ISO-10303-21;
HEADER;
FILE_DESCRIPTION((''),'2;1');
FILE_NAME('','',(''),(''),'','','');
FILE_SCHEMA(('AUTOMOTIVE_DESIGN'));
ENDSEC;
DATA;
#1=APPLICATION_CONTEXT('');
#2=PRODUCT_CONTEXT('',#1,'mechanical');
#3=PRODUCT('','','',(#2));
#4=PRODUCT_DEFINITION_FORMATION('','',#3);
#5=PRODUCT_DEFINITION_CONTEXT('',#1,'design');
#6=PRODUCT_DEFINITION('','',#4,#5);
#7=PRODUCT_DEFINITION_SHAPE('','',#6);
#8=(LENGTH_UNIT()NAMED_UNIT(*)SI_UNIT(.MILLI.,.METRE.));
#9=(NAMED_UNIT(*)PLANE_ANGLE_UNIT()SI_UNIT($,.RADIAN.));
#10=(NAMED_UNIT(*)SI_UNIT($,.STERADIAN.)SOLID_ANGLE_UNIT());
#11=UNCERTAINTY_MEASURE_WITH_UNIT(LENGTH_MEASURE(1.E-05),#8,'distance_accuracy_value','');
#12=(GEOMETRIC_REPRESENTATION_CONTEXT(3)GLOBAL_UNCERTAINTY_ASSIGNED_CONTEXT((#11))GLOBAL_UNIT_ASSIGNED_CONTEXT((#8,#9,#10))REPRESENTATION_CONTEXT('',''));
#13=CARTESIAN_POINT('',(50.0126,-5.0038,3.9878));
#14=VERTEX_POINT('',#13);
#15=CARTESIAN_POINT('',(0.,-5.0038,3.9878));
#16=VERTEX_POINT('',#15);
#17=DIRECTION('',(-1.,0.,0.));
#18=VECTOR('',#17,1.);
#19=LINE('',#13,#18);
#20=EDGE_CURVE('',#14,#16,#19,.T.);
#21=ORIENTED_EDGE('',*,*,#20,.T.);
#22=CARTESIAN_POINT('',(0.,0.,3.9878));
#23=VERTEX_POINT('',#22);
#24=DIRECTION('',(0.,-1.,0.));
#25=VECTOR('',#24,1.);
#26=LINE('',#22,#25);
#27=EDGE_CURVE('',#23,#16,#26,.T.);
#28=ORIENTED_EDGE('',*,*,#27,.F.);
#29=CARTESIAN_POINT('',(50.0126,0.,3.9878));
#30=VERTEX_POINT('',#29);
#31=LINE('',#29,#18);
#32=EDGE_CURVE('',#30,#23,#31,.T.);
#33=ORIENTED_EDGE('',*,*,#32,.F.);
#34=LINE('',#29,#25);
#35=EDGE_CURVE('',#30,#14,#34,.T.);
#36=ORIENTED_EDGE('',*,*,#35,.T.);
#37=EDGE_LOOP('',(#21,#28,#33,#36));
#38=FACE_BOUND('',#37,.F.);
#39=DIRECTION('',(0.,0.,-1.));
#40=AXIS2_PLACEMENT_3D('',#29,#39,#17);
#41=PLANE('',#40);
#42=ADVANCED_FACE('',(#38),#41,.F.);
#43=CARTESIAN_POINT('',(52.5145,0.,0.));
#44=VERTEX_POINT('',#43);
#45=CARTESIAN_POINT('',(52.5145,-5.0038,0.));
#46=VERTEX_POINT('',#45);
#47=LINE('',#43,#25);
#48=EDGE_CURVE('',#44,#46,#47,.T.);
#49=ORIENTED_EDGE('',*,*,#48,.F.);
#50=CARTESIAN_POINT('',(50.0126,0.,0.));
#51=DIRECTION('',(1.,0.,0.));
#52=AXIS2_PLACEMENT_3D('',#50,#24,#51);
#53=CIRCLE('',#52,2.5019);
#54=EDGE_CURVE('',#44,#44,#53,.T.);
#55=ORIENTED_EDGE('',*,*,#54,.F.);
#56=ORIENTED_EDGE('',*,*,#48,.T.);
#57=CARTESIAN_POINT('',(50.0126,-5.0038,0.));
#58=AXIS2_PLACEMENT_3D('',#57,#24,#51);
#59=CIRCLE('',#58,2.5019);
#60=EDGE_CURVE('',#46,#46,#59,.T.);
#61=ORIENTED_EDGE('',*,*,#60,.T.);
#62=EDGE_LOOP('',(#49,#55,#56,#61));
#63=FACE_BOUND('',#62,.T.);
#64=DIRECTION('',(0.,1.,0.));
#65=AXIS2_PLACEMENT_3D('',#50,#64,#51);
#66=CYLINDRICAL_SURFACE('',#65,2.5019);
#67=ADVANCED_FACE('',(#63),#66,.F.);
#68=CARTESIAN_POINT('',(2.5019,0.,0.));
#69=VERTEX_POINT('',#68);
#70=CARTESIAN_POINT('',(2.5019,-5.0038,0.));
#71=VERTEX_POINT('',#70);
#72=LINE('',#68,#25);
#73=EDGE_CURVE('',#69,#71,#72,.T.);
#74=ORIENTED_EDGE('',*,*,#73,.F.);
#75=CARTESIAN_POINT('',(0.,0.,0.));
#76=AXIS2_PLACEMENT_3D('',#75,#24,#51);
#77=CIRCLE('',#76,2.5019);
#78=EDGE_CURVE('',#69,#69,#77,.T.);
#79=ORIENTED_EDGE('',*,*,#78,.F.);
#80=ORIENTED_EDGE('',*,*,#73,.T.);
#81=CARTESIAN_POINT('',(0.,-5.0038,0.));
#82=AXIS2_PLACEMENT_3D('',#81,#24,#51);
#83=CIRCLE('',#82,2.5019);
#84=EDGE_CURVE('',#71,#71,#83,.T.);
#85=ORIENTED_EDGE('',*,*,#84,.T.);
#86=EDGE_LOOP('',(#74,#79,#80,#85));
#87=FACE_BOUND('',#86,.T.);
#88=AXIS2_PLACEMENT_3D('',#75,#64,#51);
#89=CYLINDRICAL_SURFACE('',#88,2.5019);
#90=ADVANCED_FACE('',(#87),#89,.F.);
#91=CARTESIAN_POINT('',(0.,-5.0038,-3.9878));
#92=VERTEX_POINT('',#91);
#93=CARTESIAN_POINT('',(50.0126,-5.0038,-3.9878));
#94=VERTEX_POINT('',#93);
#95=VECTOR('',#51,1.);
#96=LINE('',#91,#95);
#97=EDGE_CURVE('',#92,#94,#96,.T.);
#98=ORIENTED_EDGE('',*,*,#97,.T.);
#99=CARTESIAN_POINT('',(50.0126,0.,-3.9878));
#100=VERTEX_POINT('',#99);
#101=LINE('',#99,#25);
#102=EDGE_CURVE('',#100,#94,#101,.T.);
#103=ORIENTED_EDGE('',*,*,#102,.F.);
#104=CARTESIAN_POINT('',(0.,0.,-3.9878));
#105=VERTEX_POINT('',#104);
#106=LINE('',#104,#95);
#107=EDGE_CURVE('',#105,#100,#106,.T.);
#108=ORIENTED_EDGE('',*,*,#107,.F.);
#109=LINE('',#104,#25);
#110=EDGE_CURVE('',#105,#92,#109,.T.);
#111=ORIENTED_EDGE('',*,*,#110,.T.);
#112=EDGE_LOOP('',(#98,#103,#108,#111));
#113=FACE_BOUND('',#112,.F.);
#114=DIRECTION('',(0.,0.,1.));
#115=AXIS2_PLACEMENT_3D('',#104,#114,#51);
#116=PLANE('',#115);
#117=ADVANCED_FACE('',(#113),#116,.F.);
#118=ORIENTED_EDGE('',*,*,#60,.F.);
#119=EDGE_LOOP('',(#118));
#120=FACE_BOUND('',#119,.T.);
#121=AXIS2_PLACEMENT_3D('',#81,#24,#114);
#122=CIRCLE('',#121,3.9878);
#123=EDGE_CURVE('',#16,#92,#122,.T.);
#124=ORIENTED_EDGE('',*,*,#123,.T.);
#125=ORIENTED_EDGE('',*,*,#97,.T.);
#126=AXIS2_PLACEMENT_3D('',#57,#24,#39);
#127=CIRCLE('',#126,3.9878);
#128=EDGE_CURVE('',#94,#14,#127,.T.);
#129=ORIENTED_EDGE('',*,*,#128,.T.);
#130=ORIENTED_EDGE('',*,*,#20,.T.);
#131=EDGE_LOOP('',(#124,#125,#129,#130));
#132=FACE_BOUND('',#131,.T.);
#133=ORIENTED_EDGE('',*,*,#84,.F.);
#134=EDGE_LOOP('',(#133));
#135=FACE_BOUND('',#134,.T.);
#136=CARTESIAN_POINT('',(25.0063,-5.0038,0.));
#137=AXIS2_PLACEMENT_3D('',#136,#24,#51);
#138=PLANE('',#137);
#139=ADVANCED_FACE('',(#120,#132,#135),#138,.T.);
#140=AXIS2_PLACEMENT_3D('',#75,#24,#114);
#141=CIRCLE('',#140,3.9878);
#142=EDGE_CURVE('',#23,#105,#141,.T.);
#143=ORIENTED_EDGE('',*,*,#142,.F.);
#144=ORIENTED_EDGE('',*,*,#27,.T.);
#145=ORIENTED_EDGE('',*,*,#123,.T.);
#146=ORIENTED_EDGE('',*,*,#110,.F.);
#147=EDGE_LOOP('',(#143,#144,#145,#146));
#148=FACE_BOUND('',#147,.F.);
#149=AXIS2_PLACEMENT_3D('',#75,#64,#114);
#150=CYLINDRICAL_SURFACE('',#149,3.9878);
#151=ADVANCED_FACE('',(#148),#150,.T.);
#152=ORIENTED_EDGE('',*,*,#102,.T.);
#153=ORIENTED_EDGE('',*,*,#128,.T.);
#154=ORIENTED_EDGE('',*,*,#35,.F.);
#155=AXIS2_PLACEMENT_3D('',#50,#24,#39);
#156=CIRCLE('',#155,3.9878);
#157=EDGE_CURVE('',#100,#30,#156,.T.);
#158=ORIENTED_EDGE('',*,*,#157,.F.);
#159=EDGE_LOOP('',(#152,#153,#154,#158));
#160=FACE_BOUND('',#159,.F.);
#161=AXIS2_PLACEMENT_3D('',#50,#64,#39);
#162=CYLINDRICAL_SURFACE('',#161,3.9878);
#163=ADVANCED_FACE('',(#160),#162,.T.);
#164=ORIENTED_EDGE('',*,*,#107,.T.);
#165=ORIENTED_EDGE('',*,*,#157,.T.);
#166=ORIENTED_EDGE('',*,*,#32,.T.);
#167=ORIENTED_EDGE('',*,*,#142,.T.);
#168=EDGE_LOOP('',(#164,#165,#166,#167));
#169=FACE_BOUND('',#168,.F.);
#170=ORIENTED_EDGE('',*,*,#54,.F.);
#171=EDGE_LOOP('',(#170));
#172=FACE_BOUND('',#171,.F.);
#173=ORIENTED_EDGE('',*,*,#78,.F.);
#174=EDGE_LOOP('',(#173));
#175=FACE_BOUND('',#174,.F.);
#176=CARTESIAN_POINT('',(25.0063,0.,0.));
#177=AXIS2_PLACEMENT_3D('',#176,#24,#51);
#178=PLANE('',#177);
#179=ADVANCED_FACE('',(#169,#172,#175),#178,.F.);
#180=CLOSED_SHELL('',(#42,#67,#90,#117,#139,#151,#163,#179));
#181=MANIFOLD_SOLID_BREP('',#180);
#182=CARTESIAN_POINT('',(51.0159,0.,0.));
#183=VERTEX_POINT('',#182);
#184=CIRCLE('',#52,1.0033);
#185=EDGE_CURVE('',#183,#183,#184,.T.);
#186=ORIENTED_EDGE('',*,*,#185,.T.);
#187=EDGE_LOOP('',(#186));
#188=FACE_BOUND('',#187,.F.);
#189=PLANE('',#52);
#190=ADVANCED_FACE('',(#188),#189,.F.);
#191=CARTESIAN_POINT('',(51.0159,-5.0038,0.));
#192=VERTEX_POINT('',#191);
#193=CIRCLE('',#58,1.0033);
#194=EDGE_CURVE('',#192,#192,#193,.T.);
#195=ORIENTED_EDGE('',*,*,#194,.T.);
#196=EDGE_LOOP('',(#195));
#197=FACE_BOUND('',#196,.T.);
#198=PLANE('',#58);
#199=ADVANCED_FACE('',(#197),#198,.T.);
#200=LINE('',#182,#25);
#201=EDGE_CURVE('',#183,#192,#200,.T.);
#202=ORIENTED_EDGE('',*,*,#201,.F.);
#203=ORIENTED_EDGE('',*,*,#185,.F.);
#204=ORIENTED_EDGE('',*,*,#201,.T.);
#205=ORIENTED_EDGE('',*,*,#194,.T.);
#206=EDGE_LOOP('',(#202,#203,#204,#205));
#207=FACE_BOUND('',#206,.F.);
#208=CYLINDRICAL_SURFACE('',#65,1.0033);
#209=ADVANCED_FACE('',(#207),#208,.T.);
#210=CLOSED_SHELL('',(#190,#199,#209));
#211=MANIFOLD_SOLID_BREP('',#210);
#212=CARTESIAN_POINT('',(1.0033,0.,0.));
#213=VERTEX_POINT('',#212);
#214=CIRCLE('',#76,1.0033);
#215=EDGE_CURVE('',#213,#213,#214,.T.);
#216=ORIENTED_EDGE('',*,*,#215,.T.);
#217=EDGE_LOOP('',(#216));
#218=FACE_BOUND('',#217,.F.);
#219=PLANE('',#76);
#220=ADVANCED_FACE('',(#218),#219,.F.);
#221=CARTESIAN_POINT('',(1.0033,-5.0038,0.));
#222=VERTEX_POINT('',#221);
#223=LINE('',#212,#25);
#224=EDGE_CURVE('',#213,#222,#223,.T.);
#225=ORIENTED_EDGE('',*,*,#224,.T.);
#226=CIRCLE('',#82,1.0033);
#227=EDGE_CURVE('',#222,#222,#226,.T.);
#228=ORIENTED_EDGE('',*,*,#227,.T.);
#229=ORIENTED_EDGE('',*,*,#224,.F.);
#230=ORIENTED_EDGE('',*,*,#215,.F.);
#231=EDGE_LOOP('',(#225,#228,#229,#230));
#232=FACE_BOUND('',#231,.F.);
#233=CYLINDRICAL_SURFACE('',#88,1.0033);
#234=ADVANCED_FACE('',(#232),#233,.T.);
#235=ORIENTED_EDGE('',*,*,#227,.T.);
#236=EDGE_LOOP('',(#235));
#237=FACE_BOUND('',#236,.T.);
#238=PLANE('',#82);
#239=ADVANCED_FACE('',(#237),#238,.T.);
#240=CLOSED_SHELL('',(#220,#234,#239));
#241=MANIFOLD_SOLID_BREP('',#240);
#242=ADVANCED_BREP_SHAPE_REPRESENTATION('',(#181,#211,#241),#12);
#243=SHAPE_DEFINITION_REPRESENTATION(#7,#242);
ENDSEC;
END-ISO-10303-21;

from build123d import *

# Parameters (mm, degrees)
F0_R     = 2.5019
F0_R_2   = 1.0033
F1_DEPTH = 5.0038


with BuildPart() as f1:
    # F0 (on Front) → F1 (new body)
    with BuildSketch(Plane.XZ):
        with BuildLine():
            ThreePointArc((0, 3.9878), (-3.9878, 0), (0, -3.9878))
            Line((0, -3.9878), (50.0126, -3.9878))
            ThreePointArc((50.0126, -3.9878), (54.0004, 0), (50.0126, 3.9878))
            Line((50.0126, 3.9878), (0, 3.9878))
        make_face()
        Circle(F0_R, mode=Mode.SUBTRACT)
        with Locations((50.0126, 0)):
            Circle(F0_R, mode=Mode.SUBTRACT)
        Circle(F0_R_2)
        with Locations((50.0126, 0)):
            Circle(F0_R_2)
    extrude(amount=F1_DEPTH)


solid = f1.part
